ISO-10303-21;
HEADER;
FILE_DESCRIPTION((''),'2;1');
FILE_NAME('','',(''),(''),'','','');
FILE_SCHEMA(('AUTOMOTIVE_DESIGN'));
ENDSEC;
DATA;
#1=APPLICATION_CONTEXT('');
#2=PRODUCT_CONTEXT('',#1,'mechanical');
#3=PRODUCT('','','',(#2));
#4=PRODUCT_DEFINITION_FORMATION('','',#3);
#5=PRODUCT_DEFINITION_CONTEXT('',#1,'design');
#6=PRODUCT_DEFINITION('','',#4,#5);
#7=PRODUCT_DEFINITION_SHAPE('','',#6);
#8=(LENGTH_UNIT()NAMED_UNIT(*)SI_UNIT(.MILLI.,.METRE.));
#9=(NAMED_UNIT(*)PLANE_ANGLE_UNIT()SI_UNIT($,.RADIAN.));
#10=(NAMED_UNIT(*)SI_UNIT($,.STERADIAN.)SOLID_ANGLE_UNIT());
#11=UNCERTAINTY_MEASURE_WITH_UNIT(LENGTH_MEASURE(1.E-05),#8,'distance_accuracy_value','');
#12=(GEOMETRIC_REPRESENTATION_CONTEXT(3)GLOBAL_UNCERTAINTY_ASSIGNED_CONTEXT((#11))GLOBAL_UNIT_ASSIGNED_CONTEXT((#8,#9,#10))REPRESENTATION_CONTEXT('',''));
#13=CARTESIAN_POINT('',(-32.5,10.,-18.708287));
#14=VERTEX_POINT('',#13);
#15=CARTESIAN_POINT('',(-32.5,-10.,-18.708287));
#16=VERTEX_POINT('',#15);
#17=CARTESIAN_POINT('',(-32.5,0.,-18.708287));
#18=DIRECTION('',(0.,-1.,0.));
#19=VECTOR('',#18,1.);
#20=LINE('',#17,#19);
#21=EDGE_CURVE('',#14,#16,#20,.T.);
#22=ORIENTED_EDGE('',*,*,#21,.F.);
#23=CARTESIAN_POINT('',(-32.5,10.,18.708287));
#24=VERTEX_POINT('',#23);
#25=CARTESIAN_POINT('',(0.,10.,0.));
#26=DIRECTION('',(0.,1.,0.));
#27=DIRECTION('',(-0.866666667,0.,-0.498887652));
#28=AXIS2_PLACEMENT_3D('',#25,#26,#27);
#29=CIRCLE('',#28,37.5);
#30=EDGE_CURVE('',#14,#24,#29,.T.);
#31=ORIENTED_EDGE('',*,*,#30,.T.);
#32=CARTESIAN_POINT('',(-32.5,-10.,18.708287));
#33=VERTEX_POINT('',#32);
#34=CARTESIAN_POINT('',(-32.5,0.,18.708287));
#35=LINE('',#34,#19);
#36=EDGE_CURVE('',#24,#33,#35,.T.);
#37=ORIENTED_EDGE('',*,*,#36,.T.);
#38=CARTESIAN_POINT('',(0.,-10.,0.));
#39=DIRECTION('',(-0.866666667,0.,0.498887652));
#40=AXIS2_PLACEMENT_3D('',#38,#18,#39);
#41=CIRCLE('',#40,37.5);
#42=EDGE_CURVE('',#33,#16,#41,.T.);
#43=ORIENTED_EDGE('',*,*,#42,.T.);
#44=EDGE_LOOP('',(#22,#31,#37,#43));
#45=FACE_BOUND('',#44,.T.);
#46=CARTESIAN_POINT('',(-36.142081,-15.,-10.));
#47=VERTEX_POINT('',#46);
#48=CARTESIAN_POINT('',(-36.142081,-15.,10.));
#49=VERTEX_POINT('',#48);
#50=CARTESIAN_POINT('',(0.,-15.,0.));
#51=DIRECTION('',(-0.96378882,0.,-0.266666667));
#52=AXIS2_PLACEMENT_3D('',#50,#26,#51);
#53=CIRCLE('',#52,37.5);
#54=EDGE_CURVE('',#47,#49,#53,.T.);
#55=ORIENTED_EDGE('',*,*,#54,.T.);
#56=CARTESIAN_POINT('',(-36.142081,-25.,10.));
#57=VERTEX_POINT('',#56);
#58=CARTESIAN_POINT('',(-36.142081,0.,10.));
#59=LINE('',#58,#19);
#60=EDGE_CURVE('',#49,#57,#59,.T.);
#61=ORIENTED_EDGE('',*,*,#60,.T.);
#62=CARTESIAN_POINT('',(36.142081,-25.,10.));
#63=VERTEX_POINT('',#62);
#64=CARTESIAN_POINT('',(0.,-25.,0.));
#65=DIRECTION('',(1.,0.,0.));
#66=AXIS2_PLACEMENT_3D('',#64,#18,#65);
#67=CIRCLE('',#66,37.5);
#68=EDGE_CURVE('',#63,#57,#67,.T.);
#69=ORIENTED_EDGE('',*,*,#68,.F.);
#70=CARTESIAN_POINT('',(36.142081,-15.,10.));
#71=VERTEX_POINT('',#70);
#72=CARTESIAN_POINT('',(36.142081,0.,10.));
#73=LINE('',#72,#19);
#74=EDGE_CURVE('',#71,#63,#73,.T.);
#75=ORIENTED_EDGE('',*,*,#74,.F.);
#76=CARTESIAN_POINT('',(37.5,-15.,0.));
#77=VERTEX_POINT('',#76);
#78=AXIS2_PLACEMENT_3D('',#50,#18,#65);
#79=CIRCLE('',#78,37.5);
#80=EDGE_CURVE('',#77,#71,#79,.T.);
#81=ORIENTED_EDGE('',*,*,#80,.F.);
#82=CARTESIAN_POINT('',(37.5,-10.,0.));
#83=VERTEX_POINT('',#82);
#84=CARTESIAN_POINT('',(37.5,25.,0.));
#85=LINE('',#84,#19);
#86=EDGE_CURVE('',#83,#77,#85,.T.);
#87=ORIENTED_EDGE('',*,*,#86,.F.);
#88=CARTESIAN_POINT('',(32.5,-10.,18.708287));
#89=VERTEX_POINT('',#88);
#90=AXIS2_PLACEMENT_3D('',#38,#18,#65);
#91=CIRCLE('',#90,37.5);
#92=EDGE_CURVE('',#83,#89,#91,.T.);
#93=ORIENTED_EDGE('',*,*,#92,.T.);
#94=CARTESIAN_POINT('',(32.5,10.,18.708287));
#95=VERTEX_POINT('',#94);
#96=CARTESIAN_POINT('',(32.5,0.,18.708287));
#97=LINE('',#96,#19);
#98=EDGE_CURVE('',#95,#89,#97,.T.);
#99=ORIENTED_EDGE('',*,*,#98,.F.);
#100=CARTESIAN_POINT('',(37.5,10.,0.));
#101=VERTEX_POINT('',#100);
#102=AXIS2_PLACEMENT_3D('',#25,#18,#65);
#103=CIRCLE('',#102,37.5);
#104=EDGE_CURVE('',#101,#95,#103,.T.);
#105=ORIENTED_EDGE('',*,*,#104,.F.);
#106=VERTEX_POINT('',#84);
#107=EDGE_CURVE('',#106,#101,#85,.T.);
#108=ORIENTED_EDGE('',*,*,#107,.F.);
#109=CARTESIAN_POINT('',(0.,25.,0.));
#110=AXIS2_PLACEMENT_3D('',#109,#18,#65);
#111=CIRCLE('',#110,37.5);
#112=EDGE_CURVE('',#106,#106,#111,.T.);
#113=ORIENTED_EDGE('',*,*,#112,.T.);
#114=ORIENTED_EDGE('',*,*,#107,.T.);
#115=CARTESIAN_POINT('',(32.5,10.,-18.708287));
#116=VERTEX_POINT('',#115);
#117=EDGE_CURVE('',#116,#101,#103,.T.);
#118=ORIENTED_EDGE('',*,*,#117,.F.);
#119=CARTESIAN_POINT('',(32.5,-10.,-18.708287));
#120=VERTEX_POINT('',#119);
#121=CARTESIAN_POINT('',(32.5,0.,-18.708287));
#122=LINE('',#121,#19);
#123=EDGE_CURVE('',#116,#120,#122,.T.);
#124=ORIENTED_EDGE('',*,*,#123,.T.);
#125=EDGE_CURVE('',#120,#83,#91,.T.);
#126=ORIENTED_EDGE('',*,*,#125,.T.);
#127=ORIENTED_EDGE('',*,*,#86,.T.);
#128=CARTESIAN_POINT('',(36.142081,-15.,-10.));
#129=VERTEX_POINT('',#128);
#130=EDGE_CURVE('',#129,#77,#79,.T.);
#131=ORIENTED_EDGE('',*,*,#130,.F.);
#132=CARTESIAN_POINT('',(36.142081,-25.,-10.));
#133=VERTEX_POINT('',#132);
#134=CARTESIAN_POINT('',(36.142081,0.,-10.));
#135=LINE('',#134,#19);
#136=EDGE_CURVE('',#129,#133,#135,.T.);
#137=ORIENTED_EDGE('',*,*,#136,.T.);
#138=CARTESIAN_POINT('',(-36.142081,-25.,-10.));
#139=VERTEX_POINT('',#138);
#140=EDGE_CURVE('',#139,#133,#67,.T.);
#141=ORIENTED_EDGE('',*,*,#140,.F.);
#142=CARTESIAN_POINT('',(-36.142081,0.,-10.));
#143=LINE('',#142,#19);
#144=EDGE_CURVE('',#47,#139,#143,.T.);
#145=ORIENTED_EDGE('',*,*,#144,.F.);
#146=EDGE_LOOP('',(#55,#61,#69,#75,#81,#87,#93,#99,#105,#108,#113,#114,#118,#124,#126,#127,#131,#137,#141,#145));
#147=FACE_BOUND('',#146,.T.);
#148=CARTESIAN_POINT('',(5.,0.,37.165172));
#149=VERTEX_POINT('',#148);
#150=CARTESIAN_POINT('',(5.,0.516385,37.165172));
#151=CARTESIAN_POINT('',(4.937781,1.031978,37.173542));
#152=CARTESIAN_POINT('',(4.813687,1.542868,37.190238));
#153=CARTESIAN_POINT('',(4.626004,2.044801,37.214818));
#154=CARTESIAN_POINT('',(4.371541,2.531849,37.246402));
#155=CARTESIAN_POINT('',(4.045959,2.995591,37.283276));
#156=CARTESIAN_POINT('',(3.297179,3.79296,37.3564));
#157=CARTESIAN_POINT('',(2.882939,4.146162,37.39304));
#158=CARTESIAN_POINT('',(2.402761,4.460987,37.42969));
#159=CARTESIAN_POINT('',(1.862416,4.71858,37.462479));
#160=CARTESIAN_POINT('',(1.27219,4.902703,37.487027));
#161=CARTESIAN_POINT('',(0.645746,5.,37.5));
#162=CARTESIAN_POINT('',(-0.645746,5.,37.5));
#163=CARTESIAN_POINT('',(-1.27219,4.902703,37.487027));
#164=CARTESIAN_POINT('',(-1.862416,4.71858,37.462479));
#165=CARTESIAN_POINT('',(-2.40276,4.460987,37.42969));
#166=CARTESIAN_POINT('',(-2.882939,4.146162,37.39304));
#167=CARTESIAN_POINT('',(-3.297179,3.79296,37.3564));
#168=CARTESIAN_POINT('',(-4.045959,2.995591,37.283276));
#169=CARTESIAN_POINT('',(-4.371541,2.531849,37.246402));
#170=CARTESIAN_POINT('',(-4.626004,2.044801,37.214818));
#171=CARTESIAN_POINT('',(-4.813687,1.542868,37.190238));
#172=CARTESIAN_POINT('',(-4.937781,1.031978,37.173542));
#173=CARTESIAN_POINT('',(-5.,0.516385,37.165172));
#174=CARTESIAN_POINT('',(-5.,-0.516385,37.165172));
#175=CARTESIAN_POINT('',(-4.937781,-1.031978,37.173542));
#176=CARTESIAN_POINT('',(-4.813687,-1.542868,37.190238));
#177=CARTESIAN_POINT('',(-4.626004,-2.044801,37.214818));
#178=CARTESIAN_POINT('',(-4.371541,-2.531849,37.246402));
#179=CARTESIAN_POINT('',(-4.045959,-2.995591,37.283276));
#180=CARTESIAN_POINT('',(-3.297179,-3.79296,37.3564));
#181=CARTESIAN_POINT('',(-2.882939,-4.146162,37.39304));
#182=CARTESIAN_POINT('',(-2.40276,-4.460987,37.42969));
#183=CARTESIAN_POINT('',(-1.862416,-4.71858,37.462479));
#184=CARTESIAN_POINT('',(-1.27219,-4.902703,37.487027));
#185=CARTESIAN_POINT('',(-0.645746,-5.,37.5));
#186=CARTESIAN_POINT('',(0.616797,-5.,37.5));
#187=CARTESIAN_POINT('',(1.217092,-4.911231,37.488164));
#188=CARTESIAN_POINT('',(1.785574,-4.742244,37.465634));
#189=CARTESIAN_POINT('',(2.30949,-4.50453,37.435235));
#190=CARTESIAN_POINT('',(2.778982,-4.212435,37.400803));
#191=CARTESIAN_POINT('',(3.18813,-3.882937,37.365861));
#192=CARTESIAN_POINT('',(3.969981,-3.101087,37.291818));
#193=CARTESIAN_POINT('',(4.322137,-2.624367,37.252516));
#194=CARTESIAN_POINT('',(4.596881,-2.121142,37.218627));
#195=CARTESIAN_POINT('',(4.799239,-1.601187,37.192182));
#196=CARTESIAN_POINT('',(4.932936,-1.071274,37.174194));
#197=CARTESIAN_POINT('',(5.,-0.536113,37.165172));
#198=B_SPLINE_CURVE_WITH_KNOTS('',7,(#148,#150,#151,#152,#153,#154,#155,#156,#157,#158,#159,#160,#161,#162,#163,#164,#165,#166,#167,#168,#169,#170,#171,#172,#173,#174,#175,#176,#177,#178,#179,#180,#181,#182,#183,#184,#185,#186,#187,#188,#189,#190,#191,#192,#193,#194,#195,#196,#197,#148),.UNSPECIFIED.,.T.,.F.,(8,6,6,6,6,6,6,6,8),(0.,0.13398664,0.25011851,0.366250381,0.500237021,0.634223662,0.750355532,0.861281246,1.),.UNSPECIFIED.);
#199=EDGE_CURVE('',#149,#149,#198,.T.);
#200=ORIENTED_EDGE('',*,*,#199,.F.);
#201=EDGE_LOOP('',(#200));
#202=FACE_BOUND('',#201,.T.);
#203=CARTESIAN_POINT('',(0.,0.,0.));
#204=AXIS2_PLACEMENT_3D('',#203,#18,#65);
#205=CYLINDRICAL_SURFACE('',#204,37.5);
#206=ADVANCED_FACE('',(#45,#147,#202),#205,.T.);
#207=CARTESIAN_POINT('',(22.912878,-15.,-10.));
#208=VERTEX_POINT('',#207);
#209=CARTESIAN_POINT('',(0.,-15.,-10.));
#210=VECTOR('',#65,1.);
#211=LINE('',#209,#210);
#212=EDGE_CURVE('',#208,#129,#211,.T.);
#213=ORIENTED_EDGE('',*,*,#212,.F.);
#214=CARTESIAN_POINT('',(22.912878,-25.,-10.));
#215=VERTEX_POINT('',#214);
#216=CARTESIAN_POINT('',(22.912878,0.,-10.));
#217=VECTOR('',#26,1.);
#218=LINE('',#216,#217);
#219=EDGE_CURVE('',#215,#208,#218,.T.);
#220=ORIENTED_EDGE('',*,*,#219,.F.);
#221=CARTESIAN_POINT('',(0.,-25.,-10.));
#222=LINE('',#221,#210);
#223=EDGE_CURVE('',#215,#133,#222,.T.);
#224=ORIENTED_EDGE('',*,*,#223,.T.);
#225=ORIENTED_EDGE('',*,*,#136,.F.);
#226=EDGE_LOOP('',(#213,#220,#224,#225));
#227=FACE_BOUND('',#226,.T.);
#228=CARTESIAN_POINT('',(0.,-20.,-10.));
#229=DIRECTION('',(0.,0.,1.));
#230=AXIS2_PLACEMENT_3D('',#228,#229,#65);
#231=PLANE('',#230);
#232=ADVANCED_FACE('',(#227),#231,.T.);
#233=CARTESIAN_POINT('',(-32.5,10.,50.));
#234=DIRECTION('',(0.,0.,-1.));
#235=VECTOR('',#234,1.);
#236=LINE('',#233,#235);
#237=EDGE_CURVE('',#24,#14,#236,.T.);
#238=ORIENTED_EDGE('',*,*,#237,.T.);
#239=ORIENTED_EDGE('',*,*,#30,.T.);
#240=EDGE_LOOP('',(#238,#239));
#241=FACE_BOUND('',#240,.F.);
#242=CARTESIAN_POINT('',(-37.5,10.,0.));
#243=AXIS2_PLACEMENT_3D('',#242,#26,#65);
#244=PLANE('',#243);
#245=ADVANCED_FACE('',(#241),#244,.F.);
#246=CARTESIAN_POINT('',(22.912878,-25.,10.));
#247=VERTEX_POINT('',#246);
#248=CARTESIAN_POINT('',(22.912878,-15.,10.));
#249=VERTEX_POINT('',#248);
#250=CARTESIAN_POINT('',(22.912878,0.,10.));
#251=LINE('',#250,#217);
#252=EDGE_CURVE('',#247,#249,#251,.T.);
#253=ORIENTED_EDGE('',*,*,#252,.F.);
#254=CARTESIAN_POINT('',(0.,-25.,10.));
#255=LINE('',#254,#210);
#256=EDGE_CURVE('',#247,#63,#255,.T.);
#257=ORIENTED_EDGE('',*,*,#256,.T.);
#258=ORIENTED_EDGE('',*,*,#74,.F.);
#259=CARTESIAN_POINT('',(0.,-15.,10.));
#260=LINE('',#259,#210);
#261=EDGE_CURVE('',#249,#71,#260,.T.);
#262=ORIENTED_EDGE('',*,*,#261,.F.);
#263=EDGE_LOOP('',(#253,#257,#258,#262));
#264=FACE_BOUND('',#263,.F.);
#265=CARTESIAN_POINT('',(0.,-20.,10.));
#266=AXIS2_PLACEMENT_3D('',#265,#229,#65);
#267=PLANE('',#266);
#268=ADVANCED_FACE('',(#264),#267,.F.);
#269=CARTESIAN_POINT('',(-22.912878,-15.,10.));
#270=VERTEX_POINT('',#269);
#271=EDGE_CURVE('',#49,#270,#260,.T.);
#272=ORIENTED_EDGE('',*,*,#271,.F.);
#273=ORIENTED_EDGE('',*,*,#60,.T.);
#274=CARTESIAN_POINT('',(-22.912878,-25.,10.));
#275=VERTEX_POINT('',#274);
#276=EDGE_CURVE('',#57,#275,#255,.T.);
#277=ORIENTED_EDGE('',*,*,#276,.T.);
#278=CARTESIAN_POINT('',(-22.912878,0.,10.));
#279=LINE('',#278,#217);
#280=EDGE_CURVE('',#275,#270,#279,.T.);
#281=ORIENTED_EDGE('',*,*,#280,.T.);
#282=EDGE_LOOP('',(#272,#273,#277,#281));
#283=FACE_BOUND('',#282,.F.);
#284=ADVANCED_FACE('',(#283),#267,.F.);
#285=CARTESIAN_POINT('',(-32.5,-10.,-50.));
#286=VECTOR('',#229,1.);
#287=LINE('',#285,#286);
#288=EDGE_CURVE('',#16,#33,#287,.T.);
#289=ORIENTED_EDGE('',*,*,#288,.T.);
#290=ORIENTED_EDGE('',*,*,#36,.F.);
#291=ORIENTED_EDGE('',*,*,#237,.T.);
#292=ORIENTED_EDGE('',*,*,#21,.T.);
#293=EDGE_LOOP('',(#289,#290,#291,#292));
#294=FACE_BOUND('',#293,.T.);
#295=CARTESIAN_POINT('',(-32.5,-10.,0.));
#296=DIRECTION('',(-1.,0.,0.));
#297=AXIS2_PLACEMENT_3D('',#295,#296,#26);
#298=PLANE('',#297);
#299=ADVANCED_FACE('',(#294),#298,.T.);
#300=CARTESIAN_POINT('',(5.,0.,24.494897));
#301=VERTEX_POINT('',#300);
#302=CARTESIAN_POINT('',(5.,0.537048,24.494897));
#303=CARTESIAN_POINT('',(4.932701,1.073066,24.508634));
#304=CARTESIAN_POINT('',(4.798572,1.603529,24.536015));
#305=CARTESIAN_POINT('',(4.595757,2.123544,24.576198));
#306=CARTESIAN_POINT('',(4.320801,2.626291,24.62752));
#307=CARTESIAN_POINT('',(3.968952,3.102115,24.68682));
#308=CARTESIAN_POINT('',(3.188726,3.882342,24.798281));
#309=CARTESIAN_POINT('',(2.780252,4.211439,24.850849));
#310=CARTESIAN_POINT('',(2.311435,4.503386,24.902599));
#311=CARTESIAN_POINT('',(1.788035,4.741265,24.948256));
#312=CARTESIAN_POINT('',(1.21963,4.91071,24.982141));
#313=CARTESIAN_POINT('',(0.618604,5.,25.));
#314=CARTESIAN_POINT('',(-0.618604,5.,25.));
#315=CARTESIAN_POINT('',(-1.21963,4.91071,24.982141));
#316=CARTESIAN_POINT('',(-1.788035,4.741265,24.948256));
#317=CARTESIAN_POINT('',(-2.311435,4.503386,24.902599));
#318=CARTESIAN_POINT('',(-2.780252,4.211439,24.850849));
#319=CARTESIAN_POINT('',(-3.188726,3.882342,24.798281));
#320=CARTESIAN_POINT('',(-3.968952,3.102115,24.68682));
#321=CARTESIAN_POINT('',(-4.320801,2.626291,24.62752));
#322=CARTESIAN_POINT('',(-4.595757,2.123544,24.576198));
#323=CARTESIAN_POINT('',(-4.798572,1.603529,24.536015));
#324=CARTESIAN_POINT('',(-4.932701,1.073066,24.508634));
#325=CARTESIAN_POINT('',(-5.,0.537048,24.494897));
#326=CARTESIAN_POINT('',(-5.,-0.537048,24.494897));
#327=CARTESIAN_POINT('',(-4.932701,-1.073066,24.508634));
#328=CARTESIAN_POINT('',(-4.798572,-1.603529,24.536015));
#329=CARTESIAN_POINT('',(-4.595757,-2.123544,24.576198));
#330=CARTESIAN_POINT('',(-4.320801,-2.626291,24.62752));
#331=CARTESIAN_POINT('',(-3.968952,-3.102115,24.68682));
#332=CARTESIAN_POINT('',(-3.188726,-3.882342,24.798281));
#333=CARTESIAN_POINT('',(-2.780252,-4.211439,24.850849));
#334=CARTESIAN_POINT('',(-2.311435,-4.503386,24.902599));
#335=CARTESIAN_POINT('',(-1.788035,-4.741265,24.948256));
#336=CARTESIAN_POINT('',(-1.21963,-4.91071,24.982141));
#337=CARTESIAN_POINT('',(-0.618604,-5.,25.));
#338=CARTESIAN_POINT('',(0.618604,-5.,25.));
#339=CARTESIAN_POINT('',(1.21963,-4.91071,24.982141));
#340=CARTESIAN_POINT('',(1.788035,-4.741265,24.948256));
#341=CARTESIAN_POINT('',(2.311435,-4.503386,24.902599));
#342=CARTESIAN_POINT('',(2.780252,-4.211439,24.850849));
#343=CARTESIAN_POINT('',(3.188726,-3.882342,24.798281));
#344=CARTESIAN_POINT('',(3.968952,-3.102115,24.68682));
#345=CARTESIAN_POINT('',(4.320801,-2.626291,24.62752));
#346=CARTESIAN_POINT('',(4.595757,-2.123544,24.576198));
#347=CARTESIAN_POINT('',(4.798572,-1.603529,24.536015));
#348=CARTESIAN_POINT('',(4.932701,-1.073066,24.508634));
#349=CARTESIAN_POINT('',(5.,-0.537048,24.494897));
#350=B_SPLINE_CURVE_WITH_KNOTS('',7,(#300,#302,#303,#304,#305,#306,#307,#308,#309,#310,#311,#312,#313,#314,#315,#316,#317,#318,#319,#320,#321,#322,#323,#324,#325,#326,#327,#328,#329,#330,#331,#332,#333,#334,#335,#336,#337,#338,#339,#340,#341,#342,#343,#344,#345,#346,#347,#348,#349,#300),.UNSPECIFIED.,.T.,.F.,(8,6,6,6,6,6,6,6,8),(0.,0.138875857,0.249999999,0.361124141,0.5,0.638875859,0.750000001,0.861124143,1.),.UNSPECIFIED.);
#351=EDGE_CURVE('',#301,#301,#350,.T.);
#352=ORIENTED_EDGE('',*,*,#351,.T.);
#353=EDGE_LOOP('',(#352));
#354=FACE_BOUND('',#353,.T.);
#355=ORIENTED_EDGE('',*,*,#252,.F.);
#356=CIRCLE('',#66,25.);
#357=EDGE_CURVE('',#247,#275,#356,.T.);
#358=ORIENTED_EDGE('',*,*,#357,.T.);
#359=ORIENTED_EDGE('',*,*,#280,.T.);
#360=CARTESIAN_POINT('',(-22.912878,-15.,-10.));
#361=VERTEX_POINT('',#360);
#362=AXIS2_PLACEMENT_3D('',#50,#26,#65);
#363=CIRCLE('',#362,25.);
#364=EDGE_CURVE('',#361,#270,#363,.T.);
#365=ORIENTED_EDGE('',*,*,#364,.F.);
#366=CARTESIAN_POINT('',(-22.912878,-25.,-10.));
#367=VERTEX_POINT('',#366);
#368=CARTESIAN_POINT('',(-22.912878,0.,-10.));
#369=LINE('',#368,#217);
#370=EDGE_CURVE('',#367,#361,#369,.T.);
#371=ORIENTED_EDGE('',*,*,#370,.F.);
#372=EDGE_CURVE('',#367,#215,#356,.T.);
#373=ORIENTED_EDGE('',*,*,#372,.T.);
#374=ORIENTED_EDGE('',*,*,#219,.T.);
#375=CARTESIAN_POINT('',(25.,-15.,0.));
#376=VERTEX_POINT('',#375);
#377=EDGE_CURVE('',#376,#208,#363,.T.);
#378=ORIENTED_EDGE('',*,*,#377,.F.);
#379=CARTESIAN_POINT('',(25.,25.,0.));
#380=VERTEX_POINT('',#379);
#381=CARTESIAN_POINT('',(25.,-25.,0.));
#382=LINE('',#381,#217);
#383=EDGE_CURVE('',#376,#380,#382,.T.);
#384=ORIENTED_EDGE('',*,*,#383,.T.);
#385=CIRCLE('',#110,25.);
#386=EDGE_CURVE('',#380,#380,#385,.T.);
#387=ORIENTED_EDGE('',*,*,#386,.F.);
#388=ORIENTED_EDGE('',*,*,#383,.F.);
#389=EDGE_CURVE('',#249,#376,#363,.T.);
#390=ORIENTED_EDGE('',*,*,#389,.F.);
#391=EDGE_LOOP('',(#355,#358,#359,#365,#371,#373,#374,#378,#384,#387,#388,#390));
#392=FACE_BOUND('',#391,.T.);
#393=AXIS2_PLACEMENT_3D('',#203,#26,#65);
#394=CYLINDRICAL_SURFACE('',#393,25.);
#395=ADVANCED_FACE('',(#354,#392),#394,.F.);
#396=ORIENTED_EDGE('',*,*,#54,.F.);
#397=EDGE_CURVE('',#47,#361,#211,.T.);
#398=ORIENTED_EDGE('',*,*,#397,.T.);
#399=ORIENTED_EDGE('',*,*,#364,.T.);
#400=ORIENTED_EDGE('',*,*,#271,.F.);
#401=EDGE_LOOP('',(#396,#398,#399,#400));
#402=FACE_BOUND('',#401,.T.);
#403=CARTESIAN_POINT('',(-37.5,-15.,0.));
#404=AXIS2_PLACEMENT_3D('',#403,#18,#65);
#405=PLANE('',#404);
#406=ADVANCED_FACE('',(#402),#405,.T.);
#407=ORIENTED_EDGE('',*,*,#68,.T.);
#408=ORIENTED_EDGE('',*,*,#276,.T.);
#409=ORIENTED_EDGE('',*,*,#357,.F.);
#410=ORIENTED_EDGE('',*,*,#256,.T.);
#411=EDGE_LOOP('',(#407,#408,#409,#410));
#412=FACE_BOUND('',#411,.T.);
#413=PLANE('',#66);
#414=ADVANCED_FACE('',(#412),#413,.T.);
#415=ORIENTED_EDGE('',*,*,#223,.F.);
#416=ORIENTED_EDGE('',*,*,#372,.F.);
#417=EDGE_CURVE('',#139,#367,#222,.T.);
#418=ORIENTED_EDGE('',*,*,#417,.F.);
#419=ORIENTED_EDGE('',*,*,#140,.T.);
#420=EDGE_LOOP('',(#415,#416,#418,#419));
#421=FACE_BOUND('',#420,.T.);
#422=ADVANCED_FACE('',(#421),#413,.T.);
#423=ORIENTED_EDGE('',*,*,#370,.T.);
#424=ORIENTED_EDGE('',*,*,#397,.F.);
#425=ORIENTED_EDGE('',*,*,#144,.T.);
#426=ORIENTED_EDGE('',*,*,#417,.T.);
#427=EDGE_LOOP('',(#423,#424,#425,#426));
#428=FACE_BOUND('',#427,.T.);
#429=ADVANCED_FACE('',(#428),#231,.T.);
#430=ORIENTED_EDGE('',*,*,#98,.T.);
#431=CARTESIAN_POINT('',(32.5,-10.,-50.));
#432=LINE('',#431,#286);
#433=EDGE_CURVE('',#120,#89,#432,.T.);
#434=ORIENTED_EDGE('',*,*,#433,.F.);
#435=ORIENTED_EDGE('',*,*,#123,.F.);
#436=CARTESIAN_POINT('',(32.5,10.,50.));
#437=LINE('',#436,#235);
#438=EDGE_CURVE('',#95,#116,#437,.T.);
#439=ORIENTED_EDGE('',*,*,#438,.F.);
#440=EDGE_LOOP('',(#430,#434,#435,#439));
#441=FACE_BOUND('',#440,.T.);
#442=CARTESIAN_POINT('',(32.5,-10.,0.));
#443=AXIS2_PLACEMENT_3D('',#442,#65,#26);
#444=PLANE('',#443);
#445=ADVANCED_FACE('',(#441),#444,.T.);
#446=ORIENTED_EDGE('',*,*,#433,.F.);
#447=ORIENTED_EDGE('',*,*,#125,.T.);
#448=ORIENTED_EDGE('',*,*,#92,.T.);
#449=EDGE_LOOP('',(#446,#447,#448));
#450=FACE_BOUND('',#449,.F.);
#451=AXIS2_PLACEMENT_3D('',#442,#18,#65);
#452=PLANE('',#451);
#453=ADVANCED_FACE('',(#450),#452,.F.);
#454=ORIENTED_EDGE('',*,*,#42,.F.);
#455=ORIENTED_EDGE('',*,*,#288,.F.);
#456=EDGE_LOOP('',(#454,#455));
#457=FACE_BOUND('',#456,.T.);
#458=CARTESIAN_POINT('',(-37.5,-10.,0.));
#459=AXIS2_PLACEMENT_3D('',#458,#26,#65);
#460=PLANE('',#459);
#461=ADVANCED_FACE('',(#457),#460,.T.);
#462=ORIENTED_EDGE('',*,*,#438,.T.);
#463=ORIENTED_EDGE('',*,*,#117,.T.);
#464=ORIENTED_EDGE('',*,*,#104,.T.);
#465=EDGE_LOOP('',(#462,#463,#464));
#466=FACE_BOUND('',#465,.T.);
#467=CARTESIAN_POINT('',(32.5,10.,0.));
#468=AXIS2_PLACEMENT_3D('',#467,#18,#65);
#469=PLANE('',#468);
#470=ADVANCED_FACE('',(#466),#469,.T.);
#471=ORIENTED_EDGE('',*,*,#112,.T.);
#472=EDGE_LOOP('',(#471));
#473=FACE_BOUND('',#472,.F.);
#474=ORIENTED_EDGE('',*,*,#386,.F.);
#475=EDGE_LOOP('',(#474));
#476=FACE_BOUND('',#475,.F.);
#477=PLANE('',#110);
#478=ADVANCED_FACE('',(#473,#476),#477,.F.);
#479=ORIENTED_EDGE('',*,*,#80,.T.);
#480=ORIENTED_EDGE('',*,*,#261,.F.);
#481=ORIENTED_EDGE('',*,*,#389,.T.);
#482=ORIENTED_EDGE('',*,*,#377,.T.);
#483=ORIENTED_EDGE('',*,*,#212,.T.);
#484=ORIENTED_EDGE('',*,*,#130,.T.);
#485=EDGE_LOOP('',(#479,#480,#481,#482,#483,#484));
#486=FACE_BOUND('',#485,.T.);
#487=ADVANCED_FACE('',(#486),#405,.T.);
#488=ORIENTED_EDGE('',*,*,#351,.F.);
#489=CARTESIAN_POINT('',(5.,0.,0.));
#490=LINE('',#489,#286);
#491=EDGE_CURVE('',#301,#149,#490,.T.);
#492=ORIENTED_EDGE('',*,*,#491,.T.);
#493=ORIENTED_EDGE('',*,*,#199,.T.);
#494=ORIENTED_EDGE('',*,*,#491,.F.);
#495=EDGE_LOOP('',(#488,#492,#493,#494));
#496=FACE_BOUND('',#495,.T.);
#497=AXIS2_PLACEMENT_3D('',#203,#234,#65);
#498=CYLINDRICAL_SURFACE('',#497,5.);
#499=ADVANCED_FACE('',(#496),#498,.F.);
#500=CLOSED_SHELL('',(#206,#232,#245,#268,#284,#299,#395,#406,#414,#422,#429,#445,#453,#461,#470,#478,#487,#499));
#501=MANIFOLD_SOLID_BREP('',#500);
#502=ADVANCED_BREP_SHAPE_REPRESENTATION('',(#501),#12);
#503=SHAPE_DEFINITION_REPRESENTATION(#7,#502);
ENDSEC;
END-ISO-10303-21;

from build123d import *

# Parameters (mm, degrees)
F0_R     = 37.5
F0_R_2   = 25
F1_DEPTH = 25
F2_W     = 5
F2_H     = 20
F3_DEPTH = 50
F2_W_2   = 75
F2_H_2   = 10
F4_DEPTH = 10
F5_DEPTH = 10
F2_R     = 5
F6_DEPTH = 37.501


with BuildPart() as f1:
    # F0 (on Front) → F1 (new body, symmetric)
    with BuildSketch(Plane.XZ):
        Circle(F0_R)
        Circle(F0_R_2, mode=Mode.SUBTRACT)
    extrude(amount=F1_DEPTH, both=True)

    # F2 (on Top) → F3 (cut, symmetric)
    with BuildSketch(Plane.XY):
        with Locations((-35, 0)):
            Rectangle(F2_W, F2_H)
        with Locations((35, 0)):
            Rectangle(F2_W, F2_H)
    extrude(amount=F3_DEPTH, both=True, mode=Mode.SUBTRACT)

    # F2 (on Top) → F4 (cut, symmetric)
    with BuildSketch(Plane.XY):
        with Locations((0, -20)):
            Rectangle(F2_W_2, F2_H_2)
    extrude(amount=F4_DEPTH, both=True, mode=Mode.SUBTRACT)

    # F2 (on Top) → F5 (cut, symmetric)
    with BuildSketch(Plane.XY):
        with Locations((0, -20)):
            Rectangle(F2_W_2, F2_H_2)
    extrude(amount=F5_DEPTH, both=True, mode=Mode.SUBTRACT)

    # F2 (on Top) → F6 (cut, through all)
    with BuildSketch(Plane.XY):
        Circle(F2_R)
    extrude(amount=F6_DEPTH, mode=Mode.SUBTRACT)


solid = f1.part
